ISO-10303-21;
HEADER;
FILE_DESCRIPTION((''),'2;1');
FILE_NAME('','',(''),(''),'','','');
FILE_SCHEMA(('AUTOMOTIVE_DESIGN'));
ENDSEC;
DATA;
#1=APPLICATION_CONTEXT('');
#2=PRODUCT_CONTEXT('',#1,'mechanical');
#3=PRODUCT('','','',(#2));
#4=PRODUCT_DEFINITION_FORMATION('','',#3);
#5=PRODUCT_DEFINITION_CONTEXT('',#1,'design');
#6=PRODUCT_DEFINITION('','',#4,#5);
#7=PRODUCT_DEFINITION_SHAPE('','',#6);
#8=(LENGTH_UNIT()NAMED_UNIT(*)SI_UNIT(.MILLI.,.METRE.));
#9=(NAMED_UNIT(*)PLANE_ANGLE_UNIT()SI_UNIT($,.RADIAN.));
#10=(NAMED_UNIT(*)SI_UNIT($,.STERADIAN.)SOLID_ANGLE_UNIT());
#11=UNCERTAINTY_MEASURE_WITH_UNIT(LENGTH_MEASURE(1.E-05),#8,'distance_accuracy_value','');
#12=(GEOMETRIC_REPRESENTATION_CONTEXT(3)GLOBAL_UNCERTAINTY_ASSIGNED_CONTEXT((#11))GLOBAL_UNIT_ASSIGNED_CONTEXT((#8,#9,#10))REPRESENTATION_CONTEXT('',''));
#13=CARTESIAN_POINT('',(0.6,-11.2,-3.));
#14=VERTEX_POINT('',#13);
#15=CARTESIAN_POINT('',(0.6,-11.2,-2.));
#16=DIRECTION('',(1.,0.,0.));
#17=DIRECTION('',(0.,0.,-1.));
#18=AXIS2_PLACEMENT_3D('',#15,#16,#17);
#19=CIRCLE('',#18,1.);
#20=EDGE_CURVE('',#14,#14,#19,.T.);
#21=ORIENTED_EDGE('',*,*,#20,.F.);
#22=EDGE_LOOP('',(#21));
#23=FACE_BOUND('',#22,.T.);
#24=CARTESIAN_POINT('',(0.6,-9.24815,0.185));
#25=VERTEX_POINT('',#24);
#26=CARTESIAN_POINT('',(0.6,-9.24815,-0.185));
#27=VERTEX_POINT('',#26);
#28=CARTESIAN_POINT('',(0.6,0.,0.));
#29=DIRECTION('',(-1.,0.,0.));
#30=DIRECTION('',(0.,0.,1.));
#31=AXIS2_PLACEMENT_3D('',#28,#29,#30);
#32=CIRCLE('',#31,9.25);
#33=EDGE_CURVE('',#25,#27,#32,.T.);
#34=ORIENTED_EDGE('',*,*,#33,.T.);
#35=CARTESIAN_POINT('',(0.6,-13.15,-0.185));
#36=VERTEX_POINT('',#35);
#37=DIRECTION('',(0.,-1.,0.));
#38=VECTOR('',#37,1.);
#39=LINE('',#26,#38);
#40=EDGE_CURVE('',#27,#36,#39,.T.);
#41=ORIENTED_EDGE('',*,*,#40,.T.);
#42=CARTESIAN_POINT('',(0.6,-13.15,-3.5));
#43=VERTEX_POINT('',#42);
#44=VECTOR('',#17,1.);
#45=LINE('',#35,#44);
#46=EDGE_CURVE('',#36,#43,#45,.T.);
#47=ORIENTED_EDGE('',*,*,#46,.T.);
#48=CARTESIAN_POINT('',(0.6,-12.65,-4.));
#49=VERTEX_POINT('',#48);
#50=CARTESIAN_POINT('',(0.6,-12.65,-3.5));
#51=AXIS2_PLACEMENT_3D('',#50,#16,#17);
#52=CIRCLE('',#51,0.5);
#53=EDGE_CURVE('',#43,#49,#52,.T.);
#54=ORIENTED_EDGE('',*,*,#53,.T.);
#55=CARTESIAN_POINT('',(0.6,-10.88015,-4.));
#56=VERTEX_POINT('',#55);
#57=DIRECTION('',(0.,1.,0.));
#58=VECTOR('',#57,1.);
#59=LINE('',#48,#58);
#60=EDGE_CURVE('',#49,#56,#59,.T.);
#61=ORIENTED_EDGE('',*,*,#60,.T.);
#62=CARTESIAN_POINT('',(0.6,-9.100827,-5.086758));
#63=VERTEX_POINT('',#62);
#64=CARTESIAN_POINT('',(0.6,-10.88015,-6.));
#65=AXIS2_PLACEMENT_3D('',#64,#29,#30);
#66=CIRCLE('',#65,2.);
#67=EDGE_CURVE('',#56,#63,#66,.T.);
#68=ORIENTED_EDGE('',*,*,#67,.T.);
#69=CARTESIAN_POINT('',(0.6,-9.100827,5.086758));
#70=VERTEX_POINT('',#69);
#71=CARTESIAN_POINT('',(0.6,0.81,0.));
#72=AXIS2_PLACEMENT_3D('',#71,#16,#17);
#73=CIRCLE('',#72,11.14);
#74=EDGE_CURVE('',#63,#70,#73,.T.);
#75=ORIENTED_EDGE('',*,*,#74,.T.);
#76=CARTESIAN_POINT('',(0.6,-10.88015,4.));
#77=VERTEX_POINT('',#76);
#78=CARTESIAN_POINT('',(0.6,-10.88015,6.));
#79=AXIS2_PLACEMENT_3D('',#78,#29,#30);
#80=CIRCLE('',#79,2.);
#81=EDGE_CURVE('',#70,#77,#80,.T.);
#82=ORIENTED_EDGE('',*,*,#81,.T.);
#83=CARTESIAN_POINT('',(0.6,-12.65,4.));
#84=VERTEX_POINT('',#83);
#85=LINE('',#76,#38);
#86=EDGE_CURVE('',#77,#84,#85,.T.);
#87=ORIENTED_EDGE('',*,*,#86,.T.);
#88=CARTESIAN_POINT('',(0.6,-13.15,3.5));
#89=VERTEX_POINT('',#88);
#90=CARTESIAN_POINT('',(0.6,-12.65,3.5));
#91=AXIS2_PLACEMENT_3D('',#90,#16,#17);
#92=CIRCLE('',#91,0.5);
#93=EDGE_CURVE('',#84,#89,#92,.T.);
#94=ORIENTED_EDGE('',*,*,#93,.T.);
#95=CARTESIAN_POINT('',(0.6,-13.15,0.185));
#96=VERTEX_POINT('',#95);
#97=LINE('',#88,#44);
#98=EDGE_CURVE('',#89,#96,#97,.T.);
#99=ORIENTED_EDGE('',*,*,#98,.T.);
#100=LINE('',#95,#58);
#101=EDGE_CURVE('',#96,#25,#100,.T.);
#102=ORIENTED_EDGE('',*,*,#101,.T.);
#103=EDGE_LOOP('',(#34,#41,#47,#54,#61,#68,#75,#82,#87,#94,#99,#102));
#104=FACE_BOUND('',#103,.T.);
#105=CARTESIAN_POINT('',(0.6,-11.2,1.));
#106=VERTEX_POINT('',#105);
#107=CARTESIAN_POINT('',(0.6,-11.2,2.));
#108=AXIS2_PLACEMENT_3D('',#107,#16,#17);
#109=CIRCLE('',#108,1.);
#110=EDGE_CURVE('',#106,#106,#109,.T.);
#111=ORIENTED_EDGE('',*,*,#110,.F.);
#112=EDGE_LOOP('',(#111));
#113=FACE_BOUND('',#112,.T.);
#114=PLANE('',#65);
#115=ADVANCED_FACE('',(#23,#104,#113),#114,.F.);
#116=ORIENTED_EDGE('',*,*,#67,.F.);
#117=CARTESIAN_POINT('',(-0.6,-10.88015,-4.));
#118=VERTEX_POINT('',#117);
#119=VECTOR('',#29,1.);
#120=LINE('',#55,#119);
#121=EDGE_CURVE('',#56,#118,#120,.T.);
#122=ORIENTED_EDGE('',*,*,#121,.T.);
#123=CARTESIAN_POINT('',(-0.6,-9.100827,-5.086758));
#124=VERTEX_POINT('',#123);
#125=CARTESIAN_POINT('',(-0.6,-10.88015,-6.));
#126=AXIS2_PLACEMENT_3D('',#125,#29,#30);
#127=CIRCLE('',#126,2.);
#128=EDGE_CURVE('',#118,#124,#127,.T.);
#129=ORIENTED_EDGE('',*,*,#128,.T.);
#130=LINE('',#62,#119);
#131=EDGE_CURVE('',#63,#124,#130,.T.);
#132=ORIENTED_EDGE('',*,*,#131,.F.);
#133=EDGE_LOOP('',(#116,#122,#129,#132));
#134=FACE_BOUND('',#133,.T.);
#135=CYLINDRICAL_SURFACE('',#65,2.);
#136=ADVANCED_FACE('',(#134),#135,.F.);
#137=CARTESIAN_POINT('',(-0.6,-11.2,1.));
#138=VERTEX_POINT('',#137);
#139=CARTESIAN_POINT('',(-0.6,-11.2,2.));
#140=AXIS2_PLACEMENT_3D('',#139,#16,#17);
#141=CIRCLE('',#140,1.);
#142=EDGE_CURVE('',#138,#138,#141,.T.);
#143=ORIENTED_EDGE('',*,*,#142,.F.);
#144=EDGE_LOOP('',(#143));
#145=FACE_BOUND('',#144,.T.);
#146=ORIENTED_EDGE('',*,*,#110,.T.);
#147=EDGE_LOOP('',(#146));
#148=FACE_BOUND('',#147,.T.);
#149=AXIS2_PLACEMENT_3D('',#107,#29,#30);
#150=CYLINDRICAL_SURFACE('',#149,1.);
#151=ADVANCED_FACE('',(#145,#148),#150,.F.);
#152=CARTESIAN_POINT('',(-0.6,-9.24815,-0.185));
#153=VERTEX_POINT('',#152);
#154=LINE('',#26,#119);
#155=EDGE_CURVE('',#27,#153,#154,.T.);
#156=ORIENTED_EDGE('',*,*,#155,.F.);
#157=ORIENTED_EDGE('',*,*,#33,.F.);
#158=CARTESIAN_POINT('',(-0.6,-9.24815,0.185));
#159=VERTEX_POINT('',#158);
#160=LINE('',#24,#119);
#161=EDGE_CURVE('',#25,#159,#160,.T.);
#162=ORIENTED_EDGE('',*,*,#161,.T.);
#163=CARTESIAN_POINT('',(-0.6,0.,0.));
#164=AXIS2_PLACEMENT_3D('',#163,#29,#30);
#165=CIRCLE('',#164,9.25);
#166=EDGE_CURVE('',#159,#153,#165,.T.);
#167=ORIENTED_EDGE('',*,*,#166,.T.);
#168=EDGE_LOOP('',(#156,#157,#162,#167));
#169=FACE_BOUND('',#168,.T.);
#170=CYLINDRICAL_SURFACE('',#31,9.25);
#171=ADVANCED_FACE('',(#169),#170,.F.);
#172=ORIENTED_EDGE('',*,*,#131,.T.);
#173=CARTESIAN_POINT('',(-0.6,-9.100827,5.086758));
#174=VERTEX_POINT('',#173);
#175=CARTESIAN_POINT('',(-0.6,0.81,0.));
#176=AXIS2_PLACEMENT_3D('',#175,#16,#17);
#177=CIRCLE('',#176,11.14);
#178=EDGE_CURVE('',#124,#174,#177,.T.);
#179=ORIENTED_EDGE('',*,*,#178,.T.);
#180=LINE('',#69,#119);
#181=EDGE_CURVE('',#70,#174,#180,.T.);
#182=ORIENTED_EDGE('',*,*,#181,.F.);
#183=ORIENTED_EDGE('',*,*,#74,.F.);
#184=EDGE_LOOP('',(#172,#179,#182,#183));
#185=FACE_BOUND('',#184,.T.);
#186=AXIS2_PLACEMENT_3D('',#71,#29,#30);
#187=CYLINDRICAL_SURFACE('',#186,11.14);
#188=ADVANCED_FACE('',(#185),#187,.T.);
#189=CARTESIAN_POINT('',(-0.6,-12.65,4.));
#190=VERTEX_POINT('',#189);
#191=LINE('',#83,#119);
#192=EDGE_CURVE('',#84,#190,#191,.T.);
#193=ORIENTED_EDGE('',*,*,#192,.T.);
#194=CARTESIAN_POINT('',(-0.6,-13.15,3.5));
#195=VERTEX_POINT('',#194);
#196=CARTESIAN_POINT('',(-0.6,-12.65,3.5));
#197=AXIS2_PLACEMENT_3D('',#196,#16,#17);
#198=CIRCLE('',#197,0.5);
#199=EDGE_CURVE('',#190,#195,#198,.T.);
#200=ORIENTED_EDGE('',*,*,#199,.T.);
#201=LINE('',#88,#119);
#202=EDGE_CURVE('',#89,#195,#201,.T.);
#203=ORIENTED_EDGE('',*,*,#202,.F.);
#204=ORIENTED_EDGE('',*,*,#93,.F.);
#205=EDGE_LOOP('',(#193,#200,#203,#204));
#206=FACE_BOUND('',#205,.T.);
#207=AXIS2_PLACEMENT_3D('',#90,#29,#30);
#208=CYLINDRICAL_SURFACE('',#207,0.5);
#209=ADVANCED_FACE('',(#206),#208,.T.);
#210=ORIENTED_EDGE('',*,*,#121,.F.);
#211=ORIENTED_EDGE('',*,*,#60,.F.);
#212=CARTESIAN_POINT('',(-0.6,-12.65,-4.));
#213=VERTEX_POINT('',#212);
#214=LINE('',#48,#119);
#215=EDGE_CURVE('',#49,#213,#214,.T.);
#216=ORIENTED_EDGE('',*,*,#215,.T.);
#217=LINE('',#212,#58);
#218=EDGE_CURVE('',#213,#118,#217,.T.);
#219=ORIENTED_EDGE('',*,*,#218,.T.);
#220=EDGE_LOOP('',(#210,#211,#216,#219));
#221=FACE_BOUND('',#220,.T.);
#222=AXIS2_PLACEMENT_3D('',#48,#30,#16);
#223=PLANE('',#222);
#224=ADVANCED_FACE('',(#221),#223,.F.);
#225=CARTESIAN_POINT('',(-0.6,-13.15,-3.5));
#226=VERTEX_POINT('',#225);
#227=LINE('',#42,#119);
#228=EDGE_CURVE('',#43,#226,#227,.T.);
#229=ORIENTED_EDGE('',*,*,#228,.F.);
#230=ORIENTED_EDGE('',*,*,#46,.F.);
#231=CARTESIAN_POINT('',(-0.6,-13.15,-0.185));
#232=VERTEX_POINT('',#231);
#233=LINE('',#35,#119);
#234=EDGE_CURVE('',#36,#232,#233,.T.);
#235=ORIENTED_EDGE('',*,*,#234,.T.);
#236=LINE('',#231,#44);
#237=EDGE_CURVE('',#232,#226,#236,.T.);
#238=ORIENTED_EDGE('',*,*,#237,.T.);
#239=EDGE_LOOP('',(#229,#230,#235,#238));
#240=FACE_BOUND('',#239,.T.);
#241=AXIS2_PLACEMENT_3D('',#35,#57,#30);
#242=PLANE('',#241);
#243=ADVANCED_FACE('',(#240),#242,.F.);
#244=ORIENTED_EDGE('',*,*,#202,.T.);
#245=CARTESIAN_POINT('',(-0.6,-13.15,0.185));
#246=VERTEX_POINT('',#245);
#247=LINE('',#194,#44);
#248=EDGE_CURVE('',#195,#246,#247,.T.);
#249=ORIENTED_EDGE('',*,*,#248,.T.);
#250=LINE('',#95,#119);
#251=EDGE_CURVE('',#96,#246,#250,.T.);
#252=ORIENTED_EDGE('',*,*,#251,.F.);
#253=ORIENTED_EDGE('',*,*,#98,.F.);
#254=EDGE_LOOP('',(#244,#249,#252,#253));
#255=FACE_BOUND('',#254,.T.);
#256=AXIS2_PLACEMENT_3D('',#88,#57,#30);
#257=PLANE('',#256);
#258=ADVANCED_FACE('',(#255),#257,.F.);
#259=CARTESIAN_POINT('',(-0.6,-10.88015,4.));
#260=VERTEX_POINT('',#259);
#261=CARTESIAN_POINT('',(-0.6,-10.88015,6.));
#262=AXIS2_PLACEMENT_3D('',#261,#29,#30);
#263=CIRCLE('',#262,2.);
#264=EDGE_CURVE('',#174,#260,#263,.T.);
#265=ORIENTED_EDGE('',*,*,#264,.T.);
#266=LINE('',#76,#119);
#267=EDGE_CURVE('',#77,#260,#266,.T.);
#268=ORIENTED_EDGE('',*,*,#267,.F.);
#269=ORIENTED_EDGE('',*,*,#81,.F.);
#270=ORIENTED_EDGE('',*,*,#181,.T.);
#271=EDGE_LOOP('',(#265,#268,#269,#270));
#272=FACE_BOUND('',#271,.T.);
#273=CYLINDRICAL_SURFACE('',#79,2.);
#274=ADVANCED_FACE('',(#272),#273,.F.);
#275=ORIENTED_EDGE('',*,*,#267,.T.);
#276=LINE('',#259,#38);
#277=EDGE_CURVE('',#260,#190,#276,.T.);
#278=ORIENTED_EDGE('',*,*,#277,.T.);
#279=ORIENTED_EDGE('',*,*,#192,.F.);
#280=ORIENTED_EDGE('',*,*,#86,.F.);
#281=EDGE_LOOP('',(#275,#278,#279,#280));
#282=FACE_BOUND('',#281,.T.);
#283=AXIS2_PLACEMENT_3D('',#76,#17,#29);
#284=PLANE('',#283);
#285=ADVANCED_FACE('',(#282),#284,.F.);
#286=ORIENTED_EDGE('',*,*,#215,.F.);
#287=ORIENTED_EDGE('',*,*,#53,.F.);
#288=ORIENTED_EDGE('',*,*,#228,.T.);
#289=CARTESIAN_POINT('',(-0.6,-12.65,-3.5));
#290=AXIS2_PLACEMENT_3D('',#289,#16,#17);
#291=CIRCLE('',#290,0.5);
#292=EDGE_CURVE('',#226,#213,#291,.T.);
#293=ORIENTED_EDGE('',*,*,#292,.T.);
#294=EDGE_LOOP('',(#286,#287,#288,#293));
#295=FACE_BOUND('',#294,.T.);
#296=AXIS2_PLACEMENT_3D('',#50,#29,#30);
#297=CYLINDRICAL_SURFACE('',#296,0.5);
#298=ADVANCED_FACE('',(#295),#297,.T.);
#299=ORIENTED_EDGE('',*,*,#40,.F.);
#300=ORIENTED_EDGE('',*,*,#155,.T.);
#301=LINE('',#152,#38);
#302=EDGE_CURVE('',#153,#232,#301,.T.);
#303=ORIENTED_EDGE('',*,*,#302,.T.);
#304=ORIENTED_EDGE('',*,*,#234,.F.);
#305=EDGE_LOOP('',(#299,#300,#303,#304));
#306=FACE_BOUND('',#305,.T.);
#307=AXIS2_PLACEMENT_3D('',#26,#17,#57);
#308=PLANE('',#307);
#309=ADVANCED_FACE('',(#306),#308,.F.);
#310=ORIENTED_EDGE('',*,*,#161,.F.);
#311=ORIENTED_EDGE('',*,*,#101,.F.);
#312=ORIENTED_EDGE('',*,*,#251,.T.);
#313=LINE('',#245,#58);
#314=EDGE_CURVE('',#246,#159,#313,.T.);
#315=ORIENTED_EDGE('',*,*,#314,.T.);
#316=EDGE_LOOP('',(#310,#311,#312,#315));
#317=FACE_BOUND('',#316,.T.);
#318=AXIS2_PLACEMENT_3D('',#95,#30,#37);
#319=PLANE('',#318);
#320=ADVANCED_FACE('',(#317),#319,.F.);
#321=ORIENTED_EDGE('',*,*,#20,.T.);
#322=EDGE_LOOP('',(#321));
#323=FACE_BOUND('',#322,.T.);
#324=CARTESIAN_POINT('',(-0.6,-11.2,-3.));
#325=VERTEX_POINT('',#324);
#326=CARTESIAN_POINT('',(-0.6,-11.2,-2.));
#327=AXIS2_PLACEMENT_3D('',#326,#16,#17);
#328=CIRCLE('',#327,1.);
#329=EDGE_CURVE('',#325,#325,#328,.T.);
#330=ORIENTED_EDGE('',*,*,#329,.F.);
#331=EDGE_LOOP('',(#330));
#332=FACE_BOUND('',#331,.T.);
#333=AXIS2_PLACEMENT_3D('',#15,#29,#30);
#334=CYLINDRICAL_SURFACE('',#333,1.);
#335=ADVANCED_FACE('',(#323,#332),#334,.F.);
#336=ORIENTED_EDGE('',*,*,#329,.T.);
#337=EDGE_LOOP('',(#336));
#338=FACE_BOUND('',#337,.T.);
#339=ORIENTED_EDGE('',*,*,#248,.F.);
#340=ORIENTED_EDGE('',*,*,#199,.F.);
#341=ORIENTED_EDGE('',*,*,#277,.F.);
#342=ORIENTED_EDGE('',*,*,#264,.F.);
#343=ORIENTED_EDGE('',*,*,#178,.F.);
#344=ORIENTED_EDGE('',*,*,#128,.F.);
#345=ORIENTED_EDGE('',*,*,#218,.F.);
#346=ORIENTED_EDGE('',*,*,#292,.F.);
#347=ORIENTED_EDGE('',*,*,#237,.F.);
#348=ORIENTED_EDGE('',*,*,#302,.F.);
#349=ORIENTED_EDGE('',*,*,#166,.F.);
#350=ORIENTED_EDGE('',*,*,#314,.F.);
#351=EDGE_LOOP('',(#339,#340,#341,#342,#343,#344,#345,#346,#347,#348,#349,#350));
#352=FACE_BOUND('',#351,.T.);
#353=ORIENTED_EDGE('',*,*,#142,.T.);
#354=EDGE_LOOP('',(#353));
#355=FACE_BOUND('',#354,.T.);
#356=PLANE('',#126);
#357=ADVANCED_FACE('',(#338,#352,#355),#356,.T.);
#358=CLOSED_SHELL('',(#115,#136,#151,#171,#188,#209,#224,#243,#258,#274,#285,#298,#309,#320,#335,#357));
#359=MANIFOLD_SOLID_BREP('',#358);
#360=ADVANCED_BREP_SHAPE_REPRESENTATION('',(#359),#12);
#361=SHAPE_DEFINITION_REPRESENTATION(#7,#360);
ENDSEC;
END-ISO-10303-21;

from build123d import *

# Parameters (mm, degrees)
EXTRUDE_1_DEPTH      = 0.6
EXTRUDE_1_DEPTH_BACK = 0.6
SKETCH_1_R           = 1


with BuildPart() as part:
    # 草圖1 → 填料-伸長1 (new, two sides: drawn at the far end of the back side and taken through both)
    with BuildSketch(Plane(origin=(0, 0, 0), x_dir=(0, 0, -1), z_dir=(1, 0, 0)).offset(-EXTRUDE_1_DEPTH_BACK)):
        with BuildLine():
            Line((-4, -10.8801497), (-4, -12.65))
            ThreePointArc((-4, -12.65), (-3.853553391, -13.003553391), (-3.5, -13.15))
            Line((-3.5, -13.15), (-0.185, -13.15))
            Line((-0.185, -13.15), (-0.185, -9.248149815))
            ThreePointArc((-0.185, -9.248149815), (0, 9.25), (0.185, -9.248149815))
            Line((0.185, -9.248149815), (0.185, -13.15))
            Line((0.185, -13.15), (3.5, -13.15))
            ThreePointArc((3.5, -13.15), (3.853553391, -13.003553391), (4, -12.65))
            Line((4, -12.65), (4, -10.8801497))
            ThreePointArc((4, -10.8801497), (4.293177827, -9.837672808), (5.08675807, -9.100827026))
            ThreePointArc((5.08675807, -9.100827026), (5.9e-08, 11.95), (-5.086758175, -9.100826972))
            ThreePointArc((-5.086758175, -9.100826972), (-4.293177858, -9.837672758), (-4, -10.8801497))
        make_face()
        with Locations((2, -11.2)):
            Circle(SKETCH_1_R, mode=Mode.SUBTRACT)
        with Locations((-2, -11.2)):
            Circle(SKETCH_1_R, mode=Mode.SUBTRACT)
    extrude(amount=EXTRUDE_1_DEPTH + EXTRUDE_1_DEPTH_BACK)


solid = part.part
